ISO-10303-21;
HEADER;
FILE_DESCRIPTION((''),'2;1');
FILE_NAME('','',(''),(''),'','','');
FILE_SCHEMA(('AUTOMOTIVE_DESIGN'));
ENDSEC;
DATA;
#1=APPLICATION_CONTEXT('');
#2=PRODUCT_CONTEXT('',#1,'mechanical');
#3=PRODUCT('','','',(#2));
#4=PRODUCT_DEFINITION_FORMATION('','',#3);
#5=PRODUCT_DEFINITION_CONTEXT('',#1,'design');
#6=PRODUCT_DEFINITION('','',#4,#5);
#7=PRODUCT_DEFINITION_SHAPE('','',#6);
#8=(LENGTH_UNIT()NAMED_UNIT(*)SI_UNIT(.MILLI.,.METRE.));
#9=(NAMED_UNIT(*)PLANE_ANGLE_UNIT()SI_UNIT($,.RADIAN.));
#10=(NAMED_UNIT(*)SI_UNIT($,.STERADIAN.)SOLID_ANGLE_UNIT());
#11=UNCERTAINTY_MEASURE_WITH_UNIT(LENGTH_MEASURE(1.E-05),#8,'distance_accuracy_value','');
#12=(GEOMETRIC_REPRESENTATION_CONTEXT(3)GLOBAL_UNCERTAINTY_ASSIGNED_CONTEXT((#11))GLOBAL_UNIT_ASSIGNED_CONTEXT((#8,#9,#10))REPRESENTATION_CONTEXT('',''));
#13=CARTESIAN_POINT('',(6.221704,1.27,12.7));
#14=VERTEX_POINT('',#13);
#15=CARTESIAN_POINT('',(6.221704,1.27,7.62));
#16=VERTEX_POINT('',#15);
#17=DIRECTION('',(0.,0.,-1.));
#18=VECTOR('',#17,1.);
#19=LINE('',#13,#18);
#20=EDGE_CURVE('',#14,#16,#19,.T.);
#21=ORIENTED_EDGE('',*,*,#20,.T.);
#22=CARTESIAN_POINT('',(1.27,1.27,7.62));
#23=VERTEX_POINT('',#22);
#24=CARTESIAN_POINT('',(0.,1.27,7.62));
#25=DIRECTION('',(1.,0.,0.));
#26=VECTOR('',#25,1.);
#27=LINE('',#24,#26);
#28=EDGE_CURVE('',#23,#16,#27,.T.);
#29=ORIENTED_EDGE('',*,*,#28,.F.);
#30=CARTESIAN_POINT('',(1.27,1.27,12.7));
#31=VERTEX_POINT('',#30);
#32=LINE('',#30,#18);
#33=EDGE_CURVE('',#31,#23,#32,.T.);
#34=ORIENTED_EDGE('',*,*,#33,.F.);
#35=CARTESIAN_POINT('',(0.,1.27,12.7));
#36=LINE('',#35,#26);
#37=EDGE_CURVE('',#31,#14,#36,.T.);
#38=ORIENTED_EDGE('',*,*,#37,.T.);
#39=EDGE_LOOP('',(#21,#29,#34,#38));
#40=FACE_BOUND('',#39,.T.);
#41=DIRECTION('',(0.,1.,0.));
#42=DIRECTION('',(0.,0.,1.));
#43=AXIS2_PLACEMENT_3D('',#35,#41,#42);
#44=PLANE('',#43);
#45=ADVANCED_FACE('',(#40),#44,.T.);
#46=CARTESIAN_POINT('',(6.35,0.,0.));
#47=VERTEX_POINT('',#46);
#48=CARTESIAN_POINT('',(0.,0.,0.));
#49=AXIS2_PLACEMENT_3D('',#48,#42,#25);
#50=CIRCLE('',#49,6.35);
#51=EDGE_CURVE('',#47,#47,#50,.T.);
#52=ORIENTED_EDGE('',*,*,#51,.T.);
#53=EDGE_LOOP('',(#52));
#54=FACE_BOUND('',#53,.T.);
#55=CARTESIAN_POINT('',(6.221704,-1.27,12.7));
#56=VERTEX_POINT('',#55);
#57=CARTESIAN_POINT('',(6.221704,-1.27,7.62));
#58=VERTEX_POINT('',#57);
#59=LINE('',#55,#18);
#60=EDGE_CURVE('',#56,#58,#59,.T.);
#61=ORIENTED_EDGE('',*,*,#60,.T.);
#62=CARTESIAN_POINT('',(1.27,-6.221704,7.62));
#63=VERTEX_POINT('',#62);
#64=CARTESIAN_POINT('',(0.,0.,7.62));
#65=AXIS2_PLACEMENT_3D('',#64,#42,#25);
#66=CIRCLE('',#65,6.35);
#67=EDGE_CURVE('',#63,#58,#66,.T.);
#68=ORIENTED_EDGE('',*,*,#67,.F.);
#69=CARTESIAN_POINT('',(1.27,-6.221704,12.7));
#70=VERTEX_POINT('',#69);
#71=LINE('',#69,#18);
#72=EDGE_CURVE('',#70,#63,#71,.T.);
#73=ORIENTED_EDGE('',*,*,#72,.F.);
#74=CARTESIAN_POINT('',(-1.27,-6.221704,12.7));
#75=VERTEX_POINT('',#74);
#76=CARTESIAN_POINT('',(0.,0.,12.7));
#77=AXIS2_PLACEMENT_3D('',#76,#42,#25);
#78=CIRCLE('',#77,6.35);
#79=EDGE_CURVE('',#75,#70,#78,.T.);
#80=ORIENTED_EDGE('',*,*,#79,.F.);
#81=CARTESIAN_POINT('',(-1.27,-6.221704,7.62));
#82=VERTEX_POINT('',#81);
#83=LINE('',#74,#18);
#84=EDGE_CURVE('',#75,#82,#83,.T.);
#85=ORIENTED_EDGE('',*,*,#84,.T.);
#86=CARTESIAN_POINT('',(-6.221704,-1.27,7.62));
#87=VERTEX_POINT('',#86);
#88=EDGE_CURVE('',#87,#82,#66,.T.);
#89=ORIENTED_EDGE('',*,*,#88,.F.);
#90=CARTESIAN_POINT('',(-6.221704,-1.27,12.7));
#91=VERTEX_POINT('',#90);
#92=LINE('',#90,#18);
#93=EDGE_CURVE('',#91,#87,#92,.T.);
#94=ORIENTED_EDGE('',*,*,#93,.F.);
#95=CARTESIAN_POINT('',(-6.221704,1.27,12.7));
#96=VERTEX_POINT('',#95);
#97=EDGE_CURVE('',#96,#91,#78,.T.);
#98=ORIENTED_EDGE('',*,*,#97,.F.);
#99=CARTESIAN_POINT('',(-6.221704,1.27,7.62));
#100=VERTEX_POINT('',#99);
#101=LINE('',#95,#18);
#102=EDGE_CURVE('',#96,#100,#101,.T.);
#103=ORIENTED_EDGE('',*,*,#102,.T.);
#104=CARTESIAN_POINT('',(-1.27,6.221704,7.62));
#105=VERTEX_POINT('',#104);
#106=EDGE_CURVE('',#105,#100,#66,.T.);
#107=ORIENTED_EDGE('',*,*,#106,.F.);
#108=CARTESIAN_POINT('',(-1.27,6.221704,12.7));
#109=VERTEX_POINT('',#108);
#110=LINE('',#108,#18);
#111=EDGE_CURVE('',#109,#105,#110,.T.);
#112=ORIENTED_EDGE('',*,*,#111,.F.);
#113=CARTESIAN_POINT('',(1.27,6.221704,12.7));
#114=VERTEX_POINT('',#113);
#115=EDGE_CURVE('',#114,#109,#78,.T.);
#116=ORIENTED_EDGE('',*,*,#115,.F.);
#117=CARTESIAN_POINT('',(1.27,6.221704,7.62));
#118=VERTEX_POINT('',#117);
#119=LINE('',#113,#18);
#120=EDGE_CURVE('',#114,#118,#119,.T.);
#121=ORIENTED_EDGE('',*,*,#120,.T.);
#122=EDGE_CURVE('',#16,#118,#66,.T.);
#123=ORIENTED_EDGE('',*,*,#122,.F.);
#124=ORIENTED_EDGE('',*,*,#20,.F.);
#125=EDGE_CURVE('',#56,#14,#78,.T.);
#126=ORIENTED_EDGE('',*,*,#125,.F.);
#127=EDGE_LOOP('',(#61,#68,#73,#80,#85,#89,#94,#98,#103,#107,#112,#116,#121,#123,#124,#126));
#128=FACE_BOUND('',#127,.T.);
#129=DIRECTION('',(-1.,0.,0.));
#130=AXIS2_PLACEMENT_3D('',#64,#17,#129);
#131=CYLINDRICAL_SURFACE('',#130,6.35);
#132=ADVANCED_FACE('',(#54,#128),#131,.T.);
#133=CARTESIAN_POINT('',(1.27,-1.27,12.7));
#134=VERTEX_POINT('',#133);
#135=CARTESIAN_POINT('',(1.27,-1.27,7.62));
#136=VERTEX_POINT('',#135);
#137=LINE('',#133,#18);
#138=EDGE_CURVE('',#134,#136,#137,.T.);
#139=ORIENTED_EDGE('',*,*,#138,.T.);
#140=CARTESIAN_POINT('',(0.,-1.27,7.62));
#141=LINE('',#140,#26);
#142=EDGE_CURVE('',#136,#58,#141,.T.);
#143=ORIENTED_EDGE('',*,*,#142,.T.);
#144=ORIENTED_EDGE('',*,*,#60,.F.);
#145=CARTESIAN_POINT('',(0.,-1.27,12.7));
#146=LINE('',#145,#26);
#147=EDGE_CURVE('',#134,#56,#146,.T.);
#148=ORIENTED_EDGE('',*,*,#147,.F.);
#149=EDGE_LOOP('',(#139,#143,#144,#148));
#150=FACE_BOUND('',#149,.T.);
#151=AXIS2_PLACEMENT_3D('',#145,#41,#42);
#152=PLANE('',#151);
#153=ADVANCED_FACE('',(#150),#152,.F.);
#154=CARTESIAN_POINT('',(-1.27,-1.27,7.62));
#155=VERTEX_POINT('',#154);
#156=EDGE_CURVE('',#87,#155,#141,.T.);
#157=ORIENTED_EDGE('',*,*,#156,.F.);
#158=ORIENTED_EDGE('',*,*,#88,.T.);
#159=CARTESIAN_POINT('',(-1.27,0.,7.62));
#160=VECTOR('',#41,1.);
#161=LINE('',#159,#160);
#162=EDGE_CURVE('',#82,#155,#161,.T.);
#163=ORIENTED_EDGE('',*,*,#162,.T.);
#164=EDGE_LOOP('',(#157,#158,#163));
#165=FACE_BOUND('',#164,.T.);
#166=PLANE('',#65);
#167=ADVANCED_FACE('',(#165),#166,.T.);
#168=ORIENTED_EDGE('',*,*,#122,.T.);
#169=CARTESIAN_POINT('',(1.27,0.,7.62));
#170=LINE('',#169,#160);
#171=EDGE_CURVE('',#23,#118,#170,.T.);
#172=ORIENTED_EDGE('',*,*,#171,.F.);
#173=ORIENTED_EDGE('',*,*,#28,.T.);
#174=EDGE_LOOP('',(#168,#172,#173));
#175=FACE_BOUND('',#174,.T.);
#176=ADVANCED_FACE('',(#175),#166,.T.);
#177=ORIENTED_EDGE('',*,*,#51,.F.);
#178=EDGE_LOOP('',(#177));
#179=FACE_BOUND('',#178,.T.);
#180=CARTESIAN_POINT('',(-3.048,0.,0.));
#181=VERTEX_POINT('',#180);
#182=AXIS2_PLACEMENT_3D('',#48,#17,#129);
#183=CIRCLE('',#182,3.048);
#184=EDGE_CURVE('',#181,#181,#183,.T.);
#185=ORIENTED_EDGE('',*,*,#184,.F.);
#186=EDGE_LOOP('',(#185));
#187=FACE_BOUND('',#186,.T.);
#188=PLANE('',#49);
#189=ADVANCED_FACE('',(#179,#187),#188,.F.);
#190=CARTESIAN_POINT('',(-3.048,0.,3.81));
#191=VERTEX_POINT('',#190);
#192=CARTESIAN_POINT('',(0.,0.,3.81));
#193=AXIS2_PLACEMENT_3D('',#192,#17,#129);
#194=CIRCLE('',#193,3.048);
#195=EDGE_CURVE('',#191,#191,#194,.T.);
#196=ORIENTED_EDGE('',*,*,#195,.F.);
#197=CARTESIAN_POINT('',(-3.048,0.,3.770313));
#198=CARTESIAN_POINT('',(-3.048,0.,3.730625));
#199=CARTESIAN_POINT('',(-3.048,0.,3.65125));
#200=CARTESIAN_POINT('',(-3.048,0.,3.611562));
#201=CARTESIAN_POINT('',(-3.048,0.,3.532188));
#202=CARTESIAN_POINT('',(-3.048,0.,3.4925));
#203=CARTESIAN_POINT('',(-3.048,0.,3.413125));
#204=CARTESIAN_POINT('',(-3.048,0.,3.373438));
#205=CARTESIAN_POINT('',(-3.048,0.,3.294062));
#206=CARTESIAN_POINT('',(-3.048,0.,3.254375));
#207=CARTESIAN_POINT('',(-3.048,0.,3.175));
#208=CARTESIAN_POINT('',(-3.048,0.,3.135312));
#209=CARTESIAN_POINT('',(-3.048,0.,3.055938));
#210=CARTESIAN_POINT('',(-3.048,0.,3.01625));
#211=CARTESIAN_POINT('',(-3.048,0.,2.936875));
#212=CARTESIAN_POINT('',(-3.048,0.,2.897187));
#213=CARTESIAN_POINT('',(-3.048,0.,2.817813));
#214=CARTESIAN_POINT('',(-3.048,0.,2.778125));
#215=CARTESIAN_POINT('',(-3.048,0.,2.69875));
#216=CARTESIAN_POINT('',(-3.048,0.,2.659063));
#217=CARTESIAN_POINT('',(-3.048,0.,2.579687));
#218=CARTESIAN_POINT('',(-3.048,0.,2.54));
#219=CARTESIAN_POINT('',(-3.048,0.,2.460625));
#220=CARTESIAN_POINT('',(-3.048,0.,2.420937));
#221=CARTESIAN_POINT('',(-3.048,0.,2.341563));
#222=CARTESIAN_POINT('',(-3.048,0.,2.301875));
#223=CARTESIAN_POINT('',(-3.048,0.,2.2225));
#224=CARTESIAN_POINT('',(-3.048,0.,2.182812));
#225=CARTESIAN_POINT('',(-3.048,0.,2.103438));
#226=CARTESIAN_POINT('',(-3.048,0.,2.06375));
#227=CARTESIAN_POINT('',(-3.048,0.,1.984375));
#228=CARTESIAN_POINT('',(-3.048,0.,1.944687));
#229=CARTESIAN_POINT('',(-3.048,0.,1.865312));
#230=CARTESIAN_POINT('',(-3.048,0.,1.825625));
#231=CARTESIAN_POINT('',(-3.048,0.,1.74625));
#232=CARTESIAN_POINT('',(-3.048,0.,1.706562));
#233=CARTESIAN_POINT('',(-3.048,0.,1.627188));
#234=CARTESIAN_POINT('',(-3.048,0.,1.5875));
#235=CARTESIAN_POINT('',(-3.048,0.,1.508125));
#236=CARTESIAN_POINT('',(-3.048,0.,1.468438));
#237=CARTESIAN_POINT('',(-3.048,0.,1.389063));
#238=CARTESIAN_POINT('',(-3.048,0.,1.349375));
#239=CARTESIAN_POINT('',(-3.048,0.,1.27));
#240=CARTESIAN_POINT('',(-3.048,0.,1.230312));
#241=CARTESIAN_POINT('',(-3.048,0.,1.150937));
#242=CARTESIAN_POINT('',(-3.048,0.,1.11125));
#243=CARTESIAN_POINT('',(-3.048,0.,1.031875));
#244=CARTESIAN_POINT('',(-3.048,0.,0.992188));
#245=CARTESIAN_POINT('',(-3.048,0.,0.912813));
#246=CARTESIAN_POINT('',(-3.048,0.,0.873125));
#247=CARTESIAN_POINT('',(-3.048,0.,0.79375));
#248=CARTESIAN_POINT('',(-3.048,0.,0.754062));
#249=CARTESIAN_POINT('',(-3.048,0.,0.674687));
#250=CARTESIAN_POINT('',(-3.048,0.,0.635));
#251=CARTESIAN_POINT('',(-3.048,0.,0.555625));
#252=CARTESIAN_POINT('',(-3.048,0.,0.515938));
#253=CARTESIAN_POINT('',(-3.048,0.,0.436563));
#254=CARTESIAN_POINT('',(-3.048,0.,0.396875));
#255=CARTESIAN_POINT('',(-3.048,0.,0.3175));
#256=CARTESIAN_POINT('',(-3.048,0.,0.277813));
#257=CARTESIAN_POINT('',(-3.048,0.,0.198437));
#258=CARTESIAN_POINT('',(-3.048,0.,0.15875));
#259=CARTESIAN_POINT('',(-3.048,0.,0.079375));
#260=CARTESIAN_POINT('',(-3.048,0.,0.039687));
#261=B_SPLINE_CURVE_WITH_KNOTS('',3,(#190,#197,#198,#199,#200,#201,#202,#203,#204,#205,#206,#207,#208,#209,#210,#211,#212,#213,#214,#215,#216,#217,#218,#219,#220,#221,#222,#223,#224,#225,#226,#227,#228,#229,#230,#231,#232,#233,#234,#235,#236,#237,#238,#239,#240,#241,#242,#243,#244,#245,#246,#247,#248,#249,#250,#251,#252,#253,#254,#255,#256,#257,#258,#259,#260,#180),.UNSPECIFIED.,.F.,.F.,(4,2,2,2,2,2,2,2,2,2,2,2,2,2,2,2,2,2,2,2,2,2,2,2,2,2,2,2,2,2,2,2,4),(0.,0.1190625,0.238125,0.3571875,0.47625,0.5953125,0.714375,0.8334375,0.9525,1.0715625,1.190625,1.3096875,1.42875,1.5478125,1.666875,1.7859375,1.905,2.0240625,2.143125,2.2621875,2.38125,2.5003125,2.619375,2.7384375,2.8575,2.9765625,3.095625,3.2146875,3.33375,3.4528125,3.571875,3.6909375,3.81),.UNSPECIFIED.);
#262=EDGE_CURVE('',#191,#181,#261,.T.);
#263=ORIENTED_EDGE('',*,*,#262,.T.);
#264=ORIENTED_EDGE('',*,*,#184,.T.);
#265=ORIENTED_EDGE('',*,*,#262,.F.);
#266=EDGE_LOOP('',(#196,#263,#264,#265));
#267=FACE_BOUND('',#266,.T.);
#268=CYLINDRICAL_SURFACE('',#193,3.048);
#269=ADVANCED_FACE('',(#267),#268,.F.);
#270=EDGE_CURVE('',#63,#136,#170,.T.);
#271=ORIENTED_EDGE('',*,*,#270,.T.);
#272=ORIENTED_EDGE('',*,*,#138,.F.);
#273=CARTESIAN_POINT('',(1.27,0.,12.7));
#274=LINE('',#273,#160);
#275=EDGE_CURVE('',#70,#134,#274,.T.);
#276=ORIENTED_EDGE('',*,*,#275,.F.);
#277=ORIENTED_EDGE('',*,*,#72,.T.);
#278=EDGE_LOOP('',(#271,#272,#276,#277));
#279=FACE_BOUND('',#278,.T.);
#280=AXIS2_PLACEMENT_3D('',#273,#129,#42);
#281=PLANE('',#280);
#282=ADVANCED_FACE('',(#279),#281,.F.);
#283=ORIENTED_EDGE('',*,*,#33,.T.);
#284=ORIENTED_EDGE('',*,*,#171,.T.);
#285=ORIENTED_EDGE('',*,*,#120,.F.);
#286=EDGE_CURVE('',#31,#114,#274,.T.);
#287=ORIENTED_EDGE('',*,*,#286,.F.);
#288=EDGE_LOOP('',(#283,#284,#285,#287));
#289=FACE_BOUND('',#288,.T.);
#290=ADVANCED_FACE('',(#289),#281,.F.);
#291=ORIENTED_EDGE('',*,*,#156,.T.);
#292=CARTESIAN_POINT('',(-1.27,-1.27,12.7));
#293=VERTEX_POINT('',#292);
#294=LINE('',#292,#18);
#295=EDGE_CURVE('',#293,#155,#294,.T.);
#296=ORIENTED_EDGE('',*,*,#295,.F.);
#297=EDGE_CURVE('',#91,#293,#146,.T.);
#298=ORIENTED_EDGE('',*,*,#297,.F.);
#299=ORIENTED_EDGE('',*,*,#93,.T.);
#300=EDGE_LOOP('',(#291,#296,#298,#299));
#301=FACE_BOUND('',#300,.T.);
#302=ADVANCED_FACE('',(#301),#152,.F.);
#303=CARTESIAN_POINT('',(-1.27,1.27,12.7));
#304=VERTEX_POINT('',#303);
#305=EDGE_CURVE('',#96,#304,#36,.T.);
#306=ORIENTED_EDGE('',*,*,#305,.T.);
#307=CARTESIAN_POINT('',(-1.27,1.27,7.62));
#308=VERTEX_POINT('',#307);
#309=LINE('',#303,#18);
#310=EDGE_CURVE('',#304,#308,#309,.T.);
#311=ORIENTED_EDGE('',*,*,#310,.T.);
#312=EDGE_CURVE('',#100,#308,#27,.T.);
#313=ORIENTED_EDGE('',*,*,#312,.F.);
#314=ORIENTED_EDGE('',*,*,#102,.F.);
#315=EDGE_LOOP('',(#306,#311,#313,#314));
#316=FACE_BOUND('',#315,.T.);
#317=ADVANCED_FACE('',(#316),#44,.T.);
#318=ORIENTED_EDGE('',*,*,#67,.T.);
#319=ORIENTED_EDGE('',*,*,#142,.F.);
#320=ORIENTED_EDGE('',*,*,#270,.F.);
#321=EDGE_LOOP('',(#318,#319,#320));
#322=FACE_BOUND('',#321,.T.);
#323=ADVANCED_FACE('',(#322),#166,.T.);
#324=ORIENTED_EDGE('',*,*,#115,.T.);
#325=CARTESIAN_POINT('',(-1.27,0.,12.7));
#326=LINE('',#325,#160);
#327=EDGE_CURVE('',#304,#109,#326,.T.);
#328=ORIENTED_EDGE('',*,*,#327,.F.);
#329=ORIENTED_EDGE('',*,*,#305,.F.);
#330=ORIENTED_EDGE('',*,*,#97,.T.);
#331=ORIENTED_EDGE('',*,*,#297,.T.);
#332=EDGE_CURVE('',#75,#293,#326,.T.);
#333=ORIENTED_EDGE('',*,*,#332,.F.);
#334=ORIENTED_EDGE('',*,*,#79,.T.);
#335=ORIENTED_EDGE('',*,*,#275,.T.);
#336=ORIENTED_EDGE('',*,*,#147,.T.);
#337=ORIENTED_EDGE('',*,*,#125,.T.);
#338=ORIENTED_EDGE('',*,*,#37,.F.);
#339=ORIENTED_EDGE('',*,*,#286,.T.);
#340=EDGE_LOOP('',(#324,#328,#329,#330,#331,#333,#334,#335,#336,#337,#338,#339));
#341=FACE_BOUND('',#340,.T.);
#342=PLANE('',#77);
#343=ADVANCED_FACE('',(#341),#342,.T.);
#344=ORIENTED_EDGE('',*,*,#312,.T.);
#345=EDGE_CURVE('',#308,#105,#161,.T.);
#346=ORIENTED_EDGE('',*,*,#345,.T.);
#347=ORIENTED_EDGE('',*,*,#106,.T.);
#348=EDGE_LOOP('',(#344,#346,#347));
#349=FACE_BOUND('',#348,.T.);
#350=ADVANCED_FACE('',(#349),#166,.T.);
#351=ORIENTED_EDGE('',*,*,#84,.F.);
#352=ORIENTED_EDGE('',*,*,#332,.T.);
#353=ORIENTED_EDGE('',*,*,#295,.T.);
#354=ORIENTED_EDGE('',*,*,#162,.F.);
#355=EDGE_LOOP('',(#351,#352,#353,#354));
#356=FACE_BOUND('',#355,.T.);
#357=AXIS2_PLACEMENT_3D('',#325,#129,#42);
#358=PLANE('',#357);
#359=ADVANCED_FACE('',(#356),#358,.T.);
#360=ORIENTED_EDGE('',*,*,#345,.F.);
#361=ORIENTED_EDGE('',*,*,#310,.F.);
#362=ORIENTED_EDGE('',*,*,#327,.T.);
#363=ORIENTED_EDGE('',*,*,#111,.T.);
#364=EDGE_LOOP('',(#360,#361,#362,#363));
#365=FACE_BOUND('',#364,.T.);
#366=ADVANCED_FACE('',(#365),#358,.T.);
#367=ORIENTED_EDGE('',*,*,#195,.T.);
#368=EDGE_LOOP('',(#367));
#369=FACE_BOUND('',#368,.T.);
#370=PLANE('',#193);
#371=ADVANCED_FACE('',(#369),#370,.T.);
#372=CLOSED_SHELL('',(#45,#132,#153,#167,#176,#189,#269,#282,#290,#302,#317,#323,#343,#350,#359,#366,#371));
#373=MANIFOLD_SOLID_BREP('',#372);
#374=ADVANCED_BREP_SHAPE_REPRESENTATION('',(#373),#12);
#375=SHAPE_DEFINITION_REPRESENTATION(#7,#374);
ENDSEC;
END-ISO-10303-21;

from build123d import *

# Parameters (mm, degrees)
SKETCH1_R           = 6.35
BOSS_EXTRUDE1_DEPTH = 7.62
SKETCH2_W           = 2.54
SKETCH2_H           = 2.54
BOSS_EXTRUDE2_DEPTH = 5.08
SKETCH3_R           = 3.048
CUT_EXTRUDE1_DEPTH  = 3.81


with BuildPart() as part:
    # Sketch1 → Boss-Extrude1 (new body)
    with BuildSketch(Plane.XY):
        with Locations(Location((0, 0, 0), (0, 0, 180))):
            Circle(SKETCH1_R)
    extrude(amount=BOSS_EXTRUDE1_DEPTH)

    # Sketch2 → Boss-Extrude2 (add)
    with BuildSketch(Plane.XY.offset(7.62)):
        with BuildLine():
            Line((-1.27, 1.27), (1.27, 1.27))
            Line((1.27, 1.27), (1.27, 6.221703947))
            ThreePointArc((1.27, 6.221703947), (0, 6.35), (-1.27, 6.221703947))
            Line((-1.27, 6.221703947), (-1.27, 1.27))
        make_face()
        with BuildLine():
            Line((-6.221703947, -1.27), (-1.27, -1.27))
            Line((-1.27, -1.27), (-1.27, 1.27))
            Line((-1.27, 1.27), (-6.221703947, 1.27))
            ThreePointArc((-6.221703947, 1.27), (-6.35, 0), (-6.221703947, -1.27))
        make_face()
        Rectangle(SKETCH2_W, SKETCH2_H)
        with BuildLine():
            Line((1.27, 1.27), (1.27, -1.27))
            Line((1.27, -1.27), (6.221703947, -1.27))
            ThreePointArc((6.221703947, -1.27), (6.317844572, -0.638231909), (6.35, 0))
            ThreePointArc((6.35, 0), (6.317844572, 0.638231909), (6.221703947, 1.27))
            Line((6.221703947, 1.27), (1.27, 1.27))
        make_face()
        with BuildLine():
            ThreePointArc((-1.27, -6.221703947), (0, -6.35), (1.27, -6.221703947))
            Line((1.27, -6.221703947), (1.27, -1.27))
            Line((1.27, -1.27), (-1.27, -1.27))
            Line((-1.27, -1.27), (-1.27, -6.221703947))
        make_face()
    extrude(amount=BOSS_EXTRUDE2_DEPTH)

    # Sketch3 → Cut-Extrude1 (cut)
    with BuildSketch(Plane(origin=(0, 0, 0), x_dir=(-1, 0, 0), z_dir=(0, 0, -1))):
        Circle(SKETCH3_R)
    extrude(amount=-CUT_EXTRUDE1_DEPTH, mode=Mode.SUBTRACT)


solid = part.part
